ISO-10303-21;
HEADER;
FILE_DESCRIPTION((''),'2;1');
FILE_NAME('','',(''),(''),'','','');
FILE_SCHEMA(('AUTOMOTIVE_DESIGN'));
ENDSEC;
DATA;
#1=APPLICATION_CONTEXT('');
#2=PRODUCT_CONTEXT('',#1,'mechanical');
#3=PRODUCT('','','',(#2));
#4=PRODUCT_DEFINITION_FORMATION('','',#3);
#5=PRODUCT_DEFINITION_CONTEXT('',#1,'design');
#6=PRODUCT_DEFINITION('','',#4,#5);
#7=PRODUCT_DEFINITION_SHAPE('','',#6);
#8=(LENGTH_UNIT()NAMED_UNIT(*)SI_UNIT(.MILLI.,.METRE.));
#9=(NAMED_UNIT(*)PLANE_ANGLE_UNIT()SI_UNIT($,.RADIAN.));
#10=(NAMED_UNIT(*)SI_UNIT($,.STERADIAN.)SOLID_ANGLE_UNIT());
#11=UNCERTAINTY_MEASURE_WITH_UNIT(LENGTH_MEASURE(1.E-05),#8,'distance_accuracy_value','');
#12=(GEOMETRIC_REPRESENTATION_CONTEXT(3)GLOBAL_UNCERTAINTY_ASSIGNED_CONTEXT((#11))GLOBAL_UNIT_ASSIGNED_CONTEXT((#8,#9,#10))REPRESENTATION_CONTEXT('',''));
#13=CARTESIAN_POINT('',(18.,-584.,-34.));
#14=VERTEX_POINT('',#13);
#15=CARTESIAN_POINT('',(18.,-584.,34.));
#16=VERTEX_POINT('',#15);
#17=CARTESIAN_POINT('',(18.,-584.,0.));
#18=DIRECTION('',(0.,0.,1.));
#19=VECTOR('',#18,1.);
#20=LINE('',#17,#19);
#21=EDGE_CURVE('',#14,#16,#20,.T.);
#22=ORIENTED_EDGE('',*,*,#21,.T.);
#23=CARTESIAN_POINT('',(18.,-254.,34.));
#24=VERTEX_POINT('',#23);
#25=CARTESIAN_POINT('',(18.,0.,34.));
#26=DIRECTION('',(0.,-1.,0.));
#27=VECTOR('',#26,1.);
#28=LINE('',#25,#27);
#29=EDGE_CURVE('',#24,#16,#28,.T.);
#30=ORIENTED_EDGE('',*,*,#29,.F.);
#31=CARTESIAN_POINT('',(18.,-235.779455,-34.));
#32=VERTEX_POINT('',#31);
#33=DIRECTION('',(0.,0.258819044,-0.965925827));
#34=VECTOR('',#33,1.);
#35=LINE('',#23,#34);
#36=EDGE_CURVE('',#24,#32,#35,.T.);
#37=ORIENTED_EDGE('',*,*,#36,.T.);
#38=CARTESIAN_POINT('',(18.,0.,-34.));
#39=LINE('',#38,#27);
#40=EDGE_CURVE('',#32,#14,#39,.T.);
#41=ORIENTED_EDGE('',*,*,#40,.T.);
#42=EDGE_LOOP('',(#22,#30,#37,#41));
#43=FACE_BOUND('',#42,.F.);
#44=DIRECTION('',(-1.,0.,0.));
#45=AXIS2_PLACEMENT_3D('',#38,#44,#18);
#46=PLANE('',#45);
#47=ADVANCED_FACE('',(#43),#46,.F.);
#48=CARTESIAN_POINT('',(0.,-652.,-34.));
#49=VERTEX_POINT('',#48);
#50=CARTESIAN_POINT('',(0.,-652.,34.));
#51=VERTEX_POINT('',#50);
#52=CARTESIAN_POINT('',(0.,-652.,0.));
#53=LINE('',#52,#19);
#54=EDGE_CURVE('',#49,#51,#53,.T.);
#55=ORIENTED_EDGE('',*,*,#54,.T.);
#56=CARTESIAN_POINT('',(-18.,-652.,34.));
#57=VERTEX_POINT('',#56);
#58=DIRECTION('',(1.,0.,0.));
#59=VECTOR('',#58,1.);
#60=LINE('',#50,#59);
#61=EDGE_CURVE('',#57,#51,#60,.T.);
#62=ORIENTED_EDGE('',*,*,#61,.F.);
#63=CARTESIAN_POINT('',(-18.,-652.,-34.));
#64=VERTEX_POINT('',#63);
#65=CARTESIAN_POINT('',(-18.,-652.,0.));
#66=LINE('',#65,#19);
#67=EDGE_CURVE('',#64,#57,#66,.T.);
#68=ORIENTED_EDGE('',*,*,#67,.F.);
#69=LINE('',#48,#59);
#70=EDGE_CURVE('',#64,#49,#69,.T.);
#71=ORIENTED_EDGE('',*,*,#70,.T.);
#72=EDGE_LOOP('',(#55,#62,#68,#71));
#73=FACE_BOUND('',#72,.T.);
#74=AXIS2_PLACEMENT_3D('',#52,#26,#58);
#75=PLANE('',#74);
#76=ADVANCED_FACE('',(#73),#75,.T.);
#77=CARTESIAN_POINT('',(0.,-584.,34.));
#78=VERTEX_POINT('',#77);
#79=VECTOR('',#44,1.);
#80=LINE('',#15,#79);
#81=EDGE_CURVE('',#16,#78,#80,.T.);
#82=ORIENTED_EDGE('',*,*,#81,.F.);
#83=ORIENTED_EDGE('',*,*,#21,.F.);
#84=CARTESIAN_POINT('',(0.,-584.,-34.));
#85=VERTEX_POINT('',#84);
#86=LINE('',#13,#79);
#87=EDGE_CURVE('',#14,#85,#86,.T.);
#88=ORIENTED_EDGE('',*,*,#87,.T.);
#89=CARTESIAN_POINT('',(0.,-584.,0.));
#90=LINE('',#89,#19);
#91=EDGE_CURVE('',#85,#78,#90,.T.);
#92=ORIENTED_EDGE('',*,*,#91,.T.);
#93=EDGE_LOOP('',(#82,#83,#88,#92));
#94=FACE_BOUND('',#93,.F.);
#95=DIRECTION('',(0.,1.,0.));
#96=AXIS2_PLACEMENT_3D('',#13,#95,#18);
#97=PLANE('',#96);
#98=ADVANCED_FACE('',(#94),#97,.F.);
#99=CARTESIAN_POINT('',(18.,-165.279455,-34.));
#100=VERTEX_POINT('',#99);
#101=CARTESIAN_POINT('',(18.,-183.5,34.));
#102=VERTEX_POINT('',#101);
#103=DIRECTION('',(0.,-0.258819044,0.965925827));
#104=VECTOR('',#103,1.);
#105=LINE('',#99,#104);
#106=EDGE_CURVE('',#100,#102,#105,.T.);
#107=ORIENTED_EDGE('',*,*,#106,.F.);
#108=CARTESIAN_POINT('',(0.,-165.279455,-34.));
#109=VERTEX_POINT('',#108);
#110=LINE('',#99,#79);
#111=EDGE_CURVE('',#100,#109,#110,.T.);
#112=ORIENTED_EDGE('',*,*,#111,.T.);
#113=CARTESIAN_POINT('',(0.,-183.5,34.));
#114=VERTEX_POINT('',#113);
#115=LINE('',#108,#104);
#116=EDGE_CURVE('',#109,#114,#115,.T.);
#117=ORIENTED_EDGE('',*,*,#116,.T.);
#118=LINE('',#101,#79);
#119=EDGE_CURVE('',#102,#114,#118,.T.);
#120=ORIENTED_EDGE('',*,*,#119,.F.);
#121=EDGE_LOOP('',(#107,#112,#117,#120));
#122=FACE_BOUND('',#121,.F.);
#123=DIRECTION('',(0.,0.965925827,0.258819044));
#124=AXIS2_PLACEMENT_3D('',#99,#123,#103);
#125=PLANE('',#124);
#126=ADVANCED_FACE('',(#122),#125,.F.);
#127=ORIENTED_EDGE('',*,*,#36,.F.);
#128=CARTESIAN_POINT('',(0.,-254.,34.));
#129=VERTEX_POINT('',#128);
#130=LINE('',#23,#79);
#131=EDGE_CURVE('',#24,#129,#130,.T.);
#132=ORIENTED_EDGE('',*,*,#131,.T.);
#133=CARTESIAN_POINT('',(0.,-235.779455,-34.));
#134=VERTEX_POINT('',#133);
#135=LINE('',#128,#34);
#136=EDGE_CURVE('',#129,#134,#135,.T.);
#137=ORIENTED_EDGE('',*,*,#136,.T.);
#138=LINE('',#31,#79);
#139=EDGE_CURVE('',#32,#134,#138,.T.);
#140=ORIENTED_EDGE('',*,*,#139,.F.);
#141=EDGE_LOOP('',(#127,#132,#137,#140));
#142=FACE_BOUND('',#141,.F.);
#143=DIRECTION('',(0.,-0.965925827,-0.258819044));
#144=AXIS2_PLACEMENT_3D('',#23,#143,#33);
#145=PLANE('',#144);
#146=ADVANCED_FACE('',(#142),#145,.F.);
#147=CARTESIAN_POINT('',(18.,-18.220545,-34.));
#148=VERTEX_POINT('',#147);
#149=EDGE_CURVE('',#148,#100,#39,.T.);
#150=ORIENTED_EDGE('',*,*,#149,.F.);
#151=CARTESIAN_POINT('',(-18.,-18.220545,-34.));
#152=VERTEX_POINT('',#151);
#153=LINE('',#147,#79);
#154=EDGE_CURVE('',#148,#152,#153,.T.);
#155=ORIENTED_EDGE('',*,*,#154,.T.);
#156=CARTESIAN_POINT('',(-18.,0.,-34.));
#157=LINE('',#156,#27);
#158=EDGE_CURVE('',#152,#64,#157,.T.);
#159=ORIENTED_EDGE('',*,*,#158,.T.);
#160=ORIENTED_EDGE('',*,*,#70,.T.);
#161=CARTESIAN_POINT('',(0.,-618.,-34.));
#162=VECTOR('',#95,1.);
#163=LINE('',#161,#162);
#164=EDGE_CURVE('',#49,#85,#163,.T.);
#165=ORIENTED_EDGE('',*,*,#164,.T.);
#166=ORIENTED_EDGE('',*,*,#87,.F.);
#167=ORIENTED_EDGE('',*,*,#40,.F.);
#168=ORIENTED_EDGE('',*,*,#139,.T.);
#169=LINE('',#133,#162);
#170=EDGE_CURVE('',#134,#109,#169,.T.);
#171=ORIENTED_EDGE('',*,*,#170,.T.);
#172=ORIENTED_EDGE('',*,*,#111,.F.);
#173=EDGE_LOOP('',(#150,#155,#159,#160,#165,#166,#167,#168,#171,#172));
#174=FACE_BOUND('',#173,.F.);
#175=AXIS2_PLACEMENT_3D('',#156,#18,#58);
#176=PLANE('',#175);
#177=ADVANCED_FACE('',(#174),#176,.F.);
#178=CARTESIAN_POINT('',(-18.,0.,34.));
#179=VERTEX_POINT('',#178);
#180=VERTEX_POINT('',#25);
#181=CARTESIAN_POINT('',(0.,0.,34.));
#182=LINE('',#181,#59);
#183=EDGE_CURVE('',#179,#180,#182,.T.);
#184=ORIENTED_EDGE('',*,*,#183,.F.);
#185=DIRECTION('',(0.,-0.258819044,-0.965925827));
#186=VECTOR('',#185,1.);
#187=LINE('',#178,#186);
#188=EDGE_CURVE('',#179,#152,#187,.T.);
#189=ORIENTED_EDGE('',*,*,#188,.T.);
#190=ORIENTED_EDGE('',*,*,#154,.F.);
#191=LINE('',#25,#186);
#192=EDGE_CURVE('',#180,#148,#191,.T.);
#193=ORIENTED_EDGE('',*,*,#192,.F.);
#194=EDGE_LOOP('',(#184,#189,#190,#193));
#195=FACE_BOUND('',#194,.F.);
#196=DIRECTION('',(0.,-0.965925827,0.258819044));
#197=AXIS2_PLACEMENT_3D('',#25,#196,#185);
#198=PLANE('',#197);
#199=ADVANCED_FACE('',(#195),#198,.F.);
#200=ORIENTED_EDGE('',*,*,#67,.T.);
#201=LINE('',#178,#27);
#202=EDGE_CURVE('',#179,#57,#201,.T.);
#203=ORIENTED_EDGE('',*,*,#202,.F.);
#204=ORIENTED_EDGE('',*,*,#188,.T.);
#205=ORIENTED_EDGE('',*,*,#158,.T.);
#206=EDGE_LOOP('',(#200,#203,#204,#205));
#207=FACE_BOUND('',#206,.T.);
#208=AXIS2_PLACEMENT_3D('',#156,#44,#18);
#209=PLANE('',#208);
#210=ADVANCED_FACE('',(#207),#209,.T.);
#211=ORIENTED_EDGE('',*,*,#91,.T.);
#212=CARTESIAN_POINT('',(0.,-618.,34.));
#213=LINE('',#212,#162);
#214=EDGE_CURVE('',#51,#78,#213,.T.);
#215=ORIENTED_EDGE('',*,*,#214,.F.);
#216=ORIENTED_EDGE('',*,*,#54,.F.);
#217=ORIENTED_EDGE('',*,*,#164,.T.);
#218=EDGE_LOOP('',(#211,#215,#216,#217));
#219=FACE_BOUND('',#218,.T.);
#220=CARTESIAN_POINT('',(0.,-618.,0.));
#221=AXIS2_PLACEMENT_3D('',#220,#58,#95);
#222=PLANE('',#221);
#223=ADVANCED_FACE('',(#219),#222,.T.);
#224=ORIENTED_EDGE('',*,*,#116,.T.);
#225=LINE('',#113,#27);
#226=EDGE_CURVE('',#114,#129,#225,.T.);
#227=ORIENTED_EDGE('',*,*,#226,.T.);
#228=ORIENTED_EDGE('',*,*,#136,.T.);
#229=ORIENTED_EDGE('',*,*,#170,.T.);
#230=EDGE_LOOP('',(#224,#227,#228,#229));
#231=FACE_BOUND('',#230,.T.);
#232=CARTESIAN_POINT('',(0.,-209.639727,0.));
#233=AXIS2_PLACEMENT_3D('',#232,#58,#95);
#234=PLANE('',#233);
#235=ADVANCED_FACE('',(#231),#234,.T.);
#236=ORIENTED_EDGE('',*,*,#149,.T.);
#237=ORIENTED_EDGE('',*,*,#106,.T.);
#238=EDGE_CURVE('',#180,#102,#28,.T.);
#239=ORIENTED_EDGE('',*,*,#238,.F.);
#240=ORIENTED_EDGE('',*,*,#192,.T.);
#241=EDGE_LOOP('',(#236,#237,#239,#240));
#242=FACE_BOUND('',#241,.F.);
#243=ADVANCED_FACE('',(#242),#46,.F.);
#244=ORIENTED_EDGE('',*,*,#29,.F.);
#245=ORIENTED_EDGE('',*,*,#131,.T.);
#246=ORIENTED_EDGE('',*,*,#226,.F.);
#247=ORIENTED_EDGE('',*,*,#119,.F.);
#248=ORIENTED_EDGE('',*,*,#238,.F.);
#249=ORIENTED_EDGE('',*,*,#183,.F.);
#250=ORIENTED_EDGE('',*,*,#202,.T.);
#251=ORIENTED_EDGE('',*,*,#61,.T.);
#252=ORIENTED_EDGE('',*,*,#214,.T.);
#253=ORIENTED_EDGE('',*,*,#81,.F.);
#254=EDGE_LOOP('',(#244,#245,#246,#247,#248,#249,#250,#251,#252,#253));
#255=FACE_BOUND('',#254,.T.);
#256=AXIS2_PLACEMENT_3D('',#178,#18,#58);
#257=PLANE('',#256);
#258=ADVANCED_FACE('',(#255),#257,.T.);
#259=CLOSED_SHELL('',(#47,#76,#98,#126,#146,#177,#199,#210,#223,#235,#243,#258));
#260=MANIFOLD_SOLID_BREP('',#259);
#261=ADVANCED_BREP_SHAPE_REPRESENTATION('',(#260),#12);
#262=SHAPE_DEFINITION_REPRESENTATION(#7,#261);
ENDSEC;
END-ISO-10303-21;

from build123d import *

# Parameters (mm, degrees)
F0_W     = 36
F0_H     = 68
F1_DEPTH = 652
F3_DEPTH = 36
F4_W     = 68
F4_H     = 68
F5_DEPTH = 18
F7_DEPTH = 18


with BuildPart() as f1:
    # F0 (on Front) → F1 (new body)
    with BuildSketch(Plane.XZ):
        Rectangle(F0_W, F0_H)
    extrude(amount=F1_DEPTH)

    # F2 (on face) → F3 (cut, through all)
    with BuildSketch(Plane.YZ.offset(18)):
        Polygon((0, -34), (0, 34), (-18.220545, -34), align=None)
    extrude(amount=-F3_DEPTH, mode=Mode.SUBTRACT)

    # F4 (on face) → F5 (cut)
    with BuildSketch(Plane.YZ.offset(18)):
        with Locations((-618, 0)):
            Rectangle(F4_W, F4_H)
    extrude(amount=-F5_DEPTH, mode=Mode.SUBTRACT)

    # F6 (on face) → F7 (cut)
    with BuildSketch(Plane.YZ.offset(18)):
        Polygon((-183.5, 34), (-254, 34), (-235.779455, -34), (-165.279455, -34), align=None)
    extrude(amount=-F7_DEPTH, mode=Mode.SUBTRACT)


solid = f1.part
